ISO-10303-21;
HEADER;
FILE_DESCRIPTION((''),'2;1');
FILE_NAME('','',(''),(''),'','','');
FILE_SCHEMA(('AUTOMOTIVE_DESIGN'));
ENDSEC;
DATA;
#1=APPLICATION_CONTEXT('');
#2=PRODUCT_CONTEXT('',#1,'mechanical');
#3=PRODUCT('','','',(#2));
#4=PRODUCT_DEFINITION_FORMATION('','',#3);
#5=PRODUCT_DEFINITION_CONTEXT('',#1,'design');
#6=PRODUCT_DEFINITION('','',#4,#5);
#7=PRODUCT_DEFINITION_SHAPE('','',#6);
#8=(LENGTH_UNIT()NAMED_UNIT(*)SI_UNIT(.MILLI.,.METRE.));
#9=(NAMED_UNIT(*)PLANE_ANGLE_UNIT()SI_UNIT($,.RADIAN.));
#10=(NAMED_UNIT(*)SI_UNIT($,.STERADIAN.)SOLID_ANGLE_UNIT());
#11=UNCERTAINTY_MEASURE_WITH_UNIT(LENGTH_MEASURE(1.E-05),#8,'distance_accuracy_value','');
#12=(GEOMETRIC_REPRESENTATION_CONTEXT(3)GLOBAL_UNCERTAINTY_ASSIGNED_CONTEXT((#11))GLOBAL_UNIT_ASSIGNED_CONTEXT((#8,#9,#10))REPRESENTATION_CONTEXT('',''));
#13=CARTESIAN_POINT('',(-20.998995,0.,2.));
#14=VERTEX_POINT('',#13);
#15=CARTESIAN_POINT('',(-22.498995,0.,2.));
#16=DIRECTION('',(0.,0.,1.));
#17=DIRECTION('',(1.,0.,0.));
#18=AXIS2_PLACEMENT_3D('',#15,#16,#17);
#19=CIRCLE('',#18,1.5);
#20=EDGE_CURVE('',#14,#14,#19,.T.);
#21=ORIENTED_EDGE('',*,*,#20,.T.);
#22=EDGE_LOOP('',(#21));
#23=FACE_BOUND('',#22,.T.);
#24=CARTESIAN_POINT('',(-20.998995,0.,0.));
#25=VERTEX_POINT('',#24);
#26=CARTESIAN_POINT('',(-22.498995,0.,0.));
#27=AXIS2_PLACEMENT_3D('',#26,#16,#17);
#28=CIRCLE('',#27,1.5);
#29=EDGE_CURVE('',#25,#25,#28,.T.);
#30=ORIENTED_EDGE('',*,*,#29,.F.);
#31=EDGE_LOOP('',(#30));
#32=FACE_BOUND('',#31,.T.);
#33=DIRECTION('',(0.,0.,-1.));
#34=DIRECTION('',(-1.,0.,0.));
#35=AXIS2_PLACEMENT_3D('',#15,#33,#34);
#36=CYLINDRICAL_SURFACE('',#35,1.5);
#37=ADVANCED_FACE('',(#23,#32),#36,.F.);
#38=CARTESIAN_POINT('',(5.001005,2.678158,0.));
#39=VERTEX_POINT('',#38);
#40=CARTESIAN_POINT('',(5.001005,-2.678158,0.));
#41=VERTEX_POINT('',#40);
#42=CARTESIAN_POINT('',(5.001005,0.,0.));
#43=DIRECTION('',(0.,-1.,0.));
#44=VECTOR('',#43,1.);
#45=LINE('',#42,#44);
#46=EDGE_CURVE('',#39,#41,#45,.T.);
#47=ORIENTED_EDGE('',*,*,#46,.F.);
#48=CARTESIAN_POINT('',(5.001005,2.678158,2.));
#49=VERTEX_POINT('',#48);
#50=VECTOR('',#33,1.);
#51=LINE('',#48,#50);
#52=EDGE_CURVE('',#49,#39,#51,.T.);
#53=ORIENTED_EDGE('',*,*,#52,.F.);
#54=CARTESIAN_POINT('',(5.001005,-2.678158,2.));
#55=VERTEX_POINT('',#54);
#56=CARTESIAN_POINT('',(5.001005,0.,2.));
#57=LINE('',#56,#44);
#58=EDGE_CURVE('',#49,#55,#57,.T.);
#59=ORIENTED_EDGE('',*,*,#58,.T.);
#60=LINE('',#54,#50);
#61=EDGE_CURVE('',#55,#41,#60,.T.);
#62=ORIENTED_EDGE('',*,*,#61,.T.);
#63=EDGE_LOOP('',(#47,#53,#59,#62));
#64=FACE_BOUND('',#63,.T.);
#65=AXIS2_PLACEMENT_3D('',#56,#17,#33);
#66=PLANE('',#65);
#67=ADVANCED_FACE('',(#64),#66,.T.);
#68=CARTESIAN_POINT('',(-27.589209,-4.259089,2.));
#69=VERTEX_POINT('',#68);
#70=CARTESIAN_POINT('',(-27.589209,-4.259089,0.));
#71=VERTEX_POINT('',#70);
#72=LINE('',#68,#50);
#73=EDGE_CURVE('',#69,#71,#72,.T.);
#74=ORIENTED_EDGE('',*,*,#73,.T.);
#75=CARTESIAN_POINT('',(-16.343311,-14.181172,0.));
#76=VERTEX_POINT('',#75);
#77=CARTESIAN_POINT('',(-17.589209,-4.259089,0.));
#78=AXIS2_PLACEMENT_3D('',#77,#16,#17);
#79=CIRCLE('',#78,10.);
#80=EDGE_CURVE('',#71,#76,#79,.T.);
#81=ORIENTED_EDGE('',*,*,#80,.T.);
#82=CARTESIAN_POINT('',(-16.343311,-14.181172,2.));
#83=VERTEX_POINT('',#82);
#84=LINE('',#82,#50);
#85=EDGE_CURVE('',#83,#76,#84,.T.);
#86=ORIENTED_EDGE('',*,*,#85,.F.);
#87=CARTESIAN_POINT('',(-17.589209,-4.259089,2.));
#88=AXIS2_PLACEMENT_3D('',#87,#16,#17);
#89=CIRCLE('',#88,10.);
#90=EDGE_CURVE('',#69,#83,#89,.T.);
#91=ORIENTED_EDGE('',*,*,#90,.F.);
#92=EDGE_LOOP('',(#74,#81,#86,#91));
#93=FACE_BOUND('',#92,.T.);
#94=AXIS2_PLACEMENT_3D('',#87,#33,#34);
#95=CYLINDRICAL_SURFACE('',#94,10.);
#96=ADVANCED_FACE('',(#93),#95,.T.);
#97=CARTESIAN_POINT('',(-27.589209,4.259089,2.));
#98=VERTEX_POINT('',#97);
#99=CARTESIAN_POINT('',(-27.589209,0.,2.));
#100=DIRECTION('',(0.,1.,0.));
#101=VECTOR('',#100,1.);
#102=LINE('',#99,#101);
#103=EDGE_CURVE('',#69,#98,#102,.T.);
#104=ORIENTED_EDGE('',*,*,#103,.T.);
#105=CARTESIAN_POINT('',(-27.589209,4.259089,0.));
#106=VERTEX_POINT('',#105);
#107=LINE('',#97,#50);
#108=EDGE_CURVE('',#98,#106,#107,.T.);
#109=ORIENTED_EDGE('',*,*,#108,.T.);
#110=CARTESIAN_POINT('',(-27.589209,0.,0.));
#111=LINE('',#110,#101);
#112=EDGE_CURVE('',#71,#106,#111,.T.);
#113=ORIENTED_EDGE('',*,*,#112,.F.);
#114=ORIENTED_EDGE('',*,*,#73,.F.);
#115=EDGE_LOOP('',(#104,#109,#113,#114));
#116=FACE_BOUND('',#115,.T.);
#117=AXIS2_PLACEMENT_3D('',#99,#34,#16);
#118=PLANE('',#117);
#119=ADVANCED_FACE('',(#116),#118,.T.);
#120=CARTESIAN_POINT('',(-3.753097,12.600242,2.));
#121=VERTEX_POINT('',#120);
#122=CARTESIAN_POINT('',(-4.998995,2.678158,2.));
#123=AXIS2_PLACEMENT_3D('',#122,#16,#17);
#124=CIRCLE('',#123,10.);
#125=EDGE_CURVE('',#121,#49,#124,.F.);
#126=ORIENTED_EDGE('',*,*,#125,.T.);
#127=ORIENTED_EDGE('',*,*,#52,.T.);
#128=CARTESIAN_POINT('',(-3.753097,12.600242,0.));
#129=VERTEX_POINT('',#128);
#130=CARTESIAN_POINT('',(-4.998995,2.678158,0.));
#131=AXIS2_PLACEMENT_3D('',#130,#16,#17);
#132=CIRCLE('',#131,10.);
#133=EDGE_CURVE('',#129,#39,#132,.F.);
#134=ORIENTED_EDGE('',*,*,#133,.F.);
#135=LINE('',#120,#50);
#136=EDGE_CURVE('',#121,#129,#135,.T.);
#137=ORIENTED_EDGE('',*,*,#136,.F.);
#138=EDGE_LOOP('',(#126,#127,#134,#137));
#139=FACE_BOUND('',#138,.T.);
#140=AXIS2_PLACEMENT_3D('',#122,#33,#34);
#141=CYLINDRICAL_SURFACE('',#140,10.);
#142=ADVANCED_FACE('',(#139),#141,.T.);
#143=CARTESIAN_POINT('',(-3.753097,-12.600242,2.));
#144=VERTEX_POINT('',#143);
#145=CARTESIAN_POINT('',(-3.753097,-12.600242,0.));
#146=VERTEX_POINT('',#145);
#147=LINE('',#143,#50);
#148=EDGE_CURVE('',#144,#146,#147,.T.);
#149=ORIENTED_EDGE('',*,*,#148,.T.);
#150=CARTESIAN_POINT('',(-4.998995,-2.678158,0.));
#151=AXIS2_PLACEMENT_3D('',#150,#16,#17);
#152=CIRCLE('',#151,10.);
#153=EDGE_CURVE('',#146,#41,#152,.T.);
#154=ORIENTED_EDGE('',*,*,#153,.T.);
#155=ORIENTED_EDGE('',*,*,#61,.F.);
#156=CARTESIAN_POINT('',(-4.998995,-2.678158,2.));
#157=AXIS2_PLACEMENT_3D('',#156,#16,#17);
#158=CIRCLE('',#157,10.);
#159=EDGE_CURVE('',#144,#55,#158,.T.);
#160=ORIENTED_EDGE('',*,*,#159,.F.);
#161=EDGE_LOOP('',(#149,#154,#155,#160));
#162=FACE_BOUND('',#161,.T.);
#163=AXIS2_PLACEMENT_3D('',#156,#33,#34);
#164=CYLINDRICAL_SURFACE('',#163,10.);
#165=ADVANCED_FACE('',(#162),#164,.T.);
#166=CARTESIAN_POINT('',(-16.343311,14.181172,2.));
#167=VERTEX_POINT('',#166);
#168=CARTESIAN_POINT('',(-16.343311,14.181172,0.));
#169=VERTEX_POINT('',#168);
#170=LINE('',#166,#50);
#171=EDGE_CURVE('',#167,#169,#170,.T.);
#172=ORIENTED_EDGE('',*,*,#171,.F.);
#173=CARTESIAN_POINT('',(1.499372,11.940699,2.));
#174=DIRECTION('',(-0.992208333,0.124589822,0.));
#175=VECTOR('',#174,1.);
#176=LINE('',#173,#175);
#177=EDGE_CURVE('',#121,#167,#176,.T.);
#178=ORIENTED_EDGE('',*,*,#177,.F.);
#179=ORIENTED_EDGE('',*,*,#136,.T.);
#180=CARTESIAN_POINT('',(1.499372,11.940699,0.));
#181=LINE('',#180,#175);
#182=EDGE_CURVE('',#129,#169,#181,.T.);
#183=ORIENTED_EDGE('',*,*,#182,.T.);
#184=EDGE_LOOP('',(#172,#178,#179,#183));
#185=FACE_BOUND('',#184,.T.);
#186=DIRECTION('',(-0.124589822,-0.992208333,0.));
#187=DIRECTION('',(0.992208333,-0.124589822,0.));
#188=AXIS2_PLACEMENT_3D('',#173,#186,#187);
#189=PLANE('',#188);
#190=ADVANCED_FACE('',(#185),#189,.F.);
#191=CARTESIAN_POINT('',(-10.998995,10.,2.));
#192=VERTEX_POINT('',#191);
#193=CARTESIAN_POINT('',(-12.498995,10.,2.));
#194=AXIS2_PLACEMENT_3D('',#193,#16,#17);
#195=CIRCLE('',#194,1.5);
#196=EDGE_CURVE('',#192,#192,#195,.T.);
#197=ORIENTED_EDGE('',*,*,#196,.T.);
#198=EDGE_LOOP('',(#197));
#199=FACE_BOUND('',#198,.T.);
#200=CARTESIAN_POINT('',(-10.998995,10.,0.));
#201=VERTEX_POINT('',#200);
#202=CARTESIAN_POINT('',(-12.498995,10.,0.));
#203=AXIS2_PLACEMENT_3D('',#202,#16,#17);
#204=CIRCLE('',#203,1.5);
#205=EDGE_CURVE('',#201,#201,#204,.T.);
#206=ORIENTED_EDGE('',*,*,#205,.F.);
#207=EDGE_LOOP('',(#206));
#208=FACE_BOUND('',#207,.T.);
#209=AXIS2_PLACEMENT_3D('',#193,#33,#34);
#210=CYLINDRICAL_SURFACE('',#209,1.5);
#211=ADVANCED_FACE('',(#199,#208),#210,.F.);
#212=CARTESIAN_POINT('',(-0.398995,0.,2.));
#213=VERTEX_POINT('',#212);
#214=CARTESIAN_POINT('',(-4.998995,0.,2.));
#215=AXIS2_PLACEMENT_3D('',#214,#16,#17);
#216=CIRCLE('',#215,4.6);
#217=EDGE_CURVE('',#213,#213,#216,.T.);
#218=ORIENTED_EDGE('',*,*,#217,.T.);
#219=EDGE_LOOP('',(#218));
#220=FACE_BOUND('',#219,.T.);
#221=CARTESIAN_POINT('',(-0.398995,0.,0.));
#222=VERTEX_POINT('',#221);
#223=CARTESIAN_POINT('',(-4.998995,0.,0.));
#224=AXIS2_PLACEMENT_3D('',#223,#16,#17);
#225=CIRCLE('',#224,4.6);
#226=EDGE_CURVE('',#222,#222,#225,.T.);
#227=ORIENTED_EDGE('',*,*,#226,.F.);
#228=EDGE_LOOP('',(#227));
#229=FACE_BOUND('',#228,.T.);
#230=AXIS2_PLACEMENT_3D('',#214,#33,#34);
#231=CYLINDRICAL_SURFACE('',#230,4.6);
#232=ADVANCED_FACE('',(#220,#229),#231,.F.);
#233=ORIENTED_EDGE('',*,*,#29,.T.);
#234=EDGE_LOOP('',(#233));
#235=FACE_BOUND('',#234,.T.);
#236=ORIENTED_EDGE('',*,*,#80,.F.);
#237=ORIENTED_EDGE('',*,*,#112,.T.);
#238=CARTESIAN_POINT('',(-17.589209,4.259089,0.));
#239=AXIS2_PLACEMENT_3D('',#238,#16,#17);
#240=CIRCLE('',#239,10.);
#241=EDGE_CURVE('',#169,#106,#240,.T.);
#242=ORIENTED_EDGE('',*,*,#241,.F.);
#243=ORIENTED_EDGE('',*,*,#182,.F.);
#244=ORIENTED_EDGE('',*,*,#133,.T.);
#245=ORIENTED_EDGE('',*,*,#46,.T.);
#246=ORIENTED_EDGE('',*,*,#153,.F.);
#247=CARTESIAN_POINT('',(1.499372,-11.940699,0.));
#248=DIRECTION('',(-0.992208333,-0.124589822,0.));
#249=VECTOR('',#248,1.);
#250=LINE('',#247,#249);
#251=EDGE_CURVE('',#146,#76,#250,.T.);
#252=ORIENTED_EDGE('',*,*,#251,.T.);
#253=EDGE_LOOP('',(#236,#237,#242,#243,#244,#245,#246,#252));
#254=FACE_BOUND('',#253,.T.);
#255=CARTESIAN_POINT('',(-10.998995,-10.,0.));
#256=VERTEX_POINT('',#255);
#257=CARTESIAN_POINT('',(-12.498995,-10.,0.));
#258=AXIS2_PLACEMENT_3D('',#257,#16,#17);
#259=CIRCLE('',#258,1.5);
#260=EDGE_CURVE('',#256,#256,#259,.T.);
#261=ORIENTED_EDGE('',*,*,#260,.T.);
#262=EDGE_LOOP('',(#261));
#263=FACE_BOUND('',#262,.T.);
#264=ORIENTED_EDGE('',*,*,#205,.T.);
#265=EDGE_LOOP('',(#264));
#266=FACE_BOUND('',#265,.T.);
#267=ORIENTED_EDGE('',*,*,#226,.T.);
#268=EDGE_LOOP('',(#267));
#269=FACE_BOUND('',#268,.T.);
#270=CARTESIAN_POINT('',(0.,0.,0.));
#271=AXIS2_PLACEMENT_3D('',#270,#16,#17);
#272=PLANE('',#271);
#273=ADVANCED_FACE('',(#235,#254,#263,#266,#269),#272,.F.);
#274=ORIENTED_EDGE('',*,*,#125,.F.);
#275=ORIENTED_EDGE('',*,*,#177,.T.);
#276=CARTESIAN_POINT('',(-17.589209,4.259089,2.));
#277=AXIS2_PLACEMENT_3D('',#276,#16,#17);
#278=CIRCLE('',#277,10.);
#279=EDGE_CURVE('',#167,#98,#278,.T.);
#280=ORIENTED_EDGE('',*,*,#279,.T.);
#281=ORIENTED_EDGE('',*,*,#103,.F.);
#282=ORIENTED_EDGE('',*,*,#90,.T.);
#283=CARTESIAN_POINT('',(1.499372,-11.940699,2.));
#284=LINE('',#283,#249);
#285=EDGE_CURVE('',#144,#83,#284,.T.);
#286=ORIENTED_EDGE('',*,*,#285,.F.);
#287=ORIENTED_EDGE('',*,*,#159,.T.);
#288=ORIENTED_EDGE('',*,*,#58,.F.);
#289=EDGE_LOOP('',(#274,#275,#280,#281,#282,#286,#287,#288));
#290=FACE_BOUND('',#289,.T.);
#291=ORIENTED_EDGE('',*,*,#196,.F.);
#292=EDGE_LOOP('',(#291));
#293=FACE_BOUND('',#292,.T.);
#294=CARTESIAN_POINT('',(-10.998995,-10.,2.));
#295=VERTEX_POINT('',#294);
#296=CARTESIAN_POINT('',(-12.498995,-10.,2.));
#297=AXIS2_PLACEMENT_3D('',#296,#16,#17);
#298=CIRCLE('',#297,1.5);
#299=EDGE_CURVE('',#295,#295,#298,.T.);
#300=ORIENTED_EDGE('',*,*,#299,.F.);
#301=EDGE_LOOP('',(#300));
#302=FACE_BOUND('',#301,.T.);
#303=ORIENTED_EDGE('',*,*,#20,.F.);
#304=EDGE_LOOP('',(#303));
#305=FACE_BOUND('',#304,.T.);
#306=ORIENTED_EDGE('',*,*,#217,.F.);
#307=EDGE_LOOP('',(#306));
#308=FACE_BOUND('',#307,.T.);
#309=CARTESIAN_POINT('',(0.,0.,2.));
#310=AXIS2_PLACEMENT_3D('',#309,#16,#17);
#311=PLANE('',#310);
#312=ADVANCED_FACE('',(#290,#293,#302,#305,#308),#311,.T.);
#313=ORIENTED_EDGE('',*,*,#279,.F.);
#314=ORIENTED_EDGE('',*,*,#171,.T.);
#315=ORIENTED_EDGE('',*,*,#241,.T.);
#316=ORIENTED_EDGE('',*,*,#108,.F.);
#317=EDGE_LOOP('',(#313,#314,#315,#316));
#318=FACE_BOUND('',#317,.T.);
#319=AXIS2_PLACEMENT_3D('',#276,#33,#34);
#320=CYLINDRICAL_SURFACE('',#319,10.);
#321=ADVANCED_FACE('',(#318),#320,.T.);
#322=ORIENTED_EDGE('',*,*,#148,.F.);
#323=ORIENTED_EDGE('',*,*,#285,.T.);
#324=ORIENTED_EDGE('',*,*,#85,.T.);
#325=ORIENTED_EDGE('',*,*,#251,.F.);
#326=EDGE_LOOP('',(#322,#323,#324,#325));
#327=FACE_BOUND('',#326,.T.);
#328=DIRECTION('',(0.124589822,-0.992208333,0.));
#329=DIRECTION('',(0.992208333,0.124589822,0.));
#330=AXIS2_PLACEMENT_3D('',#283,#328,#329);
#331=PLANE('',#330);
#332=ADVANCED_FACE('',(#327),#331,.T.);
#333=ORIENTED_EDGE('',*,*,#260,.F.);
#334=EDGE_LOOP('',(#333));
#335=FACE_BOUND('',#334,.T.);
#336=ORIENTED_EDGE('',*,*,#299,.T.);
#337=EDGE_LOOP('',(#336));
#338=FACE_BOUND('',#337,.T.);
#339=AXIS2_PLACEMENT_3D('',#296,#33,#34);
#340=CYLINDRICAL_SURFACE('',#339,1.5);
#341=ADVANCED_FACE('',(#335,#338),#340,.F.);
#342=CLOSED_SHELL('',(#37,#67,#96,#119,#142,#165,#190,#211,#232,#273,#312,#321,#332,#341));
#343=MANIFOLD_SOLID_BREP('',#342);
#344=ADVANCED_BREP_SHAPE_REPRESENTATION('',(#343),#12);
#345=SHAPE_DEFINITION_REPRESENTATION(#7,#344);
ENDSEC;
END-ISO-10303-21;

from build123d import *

# Parameters (mm, degrees)
SKETCH_1_R      = 1.5
SKETCH_1_R_2    = 4.6
EXTRUDE_1_DEPTH = 2


with BuildPart() as part:
    # 草图1 → 凸台-拉伸1 (new body)
    with BuildSketch(Plane.XY):
        with BuildLine():
            Line((-3.753096947, 12.600241703), (-16.343310644, 14.181172272))
            ThreePointArc((-16.343310644, 14.181172272), (-24.205137287, 11.757721557), (-27.589208865, 4.259088942))
            Line((-27.589208865, 4.259088942), (-27.589208865, -4.259088942))
            ThreePointArc((-27.589208865, -4.259088942), (-24.205137287, -11.757721557), (-16.343310644, -14.181172272))
            Line((-16.343310644, -14.181172272), (-3.753096947, -12.600241703))
            ThreePointArc((-3.753096947, -12.600241703), (2.499637447, -9.294086795), (5.001004832, -2.678158372))
            Line((5.001004832, -2.678158372), (5.001004832, 2.678158372))
            ThreePointArc((5.001004832, 2.678158372), (2.499637447, 9.294086795), (-3.753096947, 12.600241703))
        make_face()
        with Locations((-12.498995168, 10)):
            Circle(SKETCH_1_R, mode=Mode.SUBTRACT)
        with Locations((-4.998995168, 0)):
            Circle(SKETCH_1_R_2, mode=Mode.SUBTRACT)
        with Locations((-12.498995168, -10)):
            Circle(SKETCH_1_R, mode=Mode.SUBTRACT)
        with Locations((-22.498995168, 0)):
            Circle(SKETCH_1_R, mode=Mode.SUBTRACT)
    extrude(amount=EXTRUDE_1_DEPTH)


solid = part.part
